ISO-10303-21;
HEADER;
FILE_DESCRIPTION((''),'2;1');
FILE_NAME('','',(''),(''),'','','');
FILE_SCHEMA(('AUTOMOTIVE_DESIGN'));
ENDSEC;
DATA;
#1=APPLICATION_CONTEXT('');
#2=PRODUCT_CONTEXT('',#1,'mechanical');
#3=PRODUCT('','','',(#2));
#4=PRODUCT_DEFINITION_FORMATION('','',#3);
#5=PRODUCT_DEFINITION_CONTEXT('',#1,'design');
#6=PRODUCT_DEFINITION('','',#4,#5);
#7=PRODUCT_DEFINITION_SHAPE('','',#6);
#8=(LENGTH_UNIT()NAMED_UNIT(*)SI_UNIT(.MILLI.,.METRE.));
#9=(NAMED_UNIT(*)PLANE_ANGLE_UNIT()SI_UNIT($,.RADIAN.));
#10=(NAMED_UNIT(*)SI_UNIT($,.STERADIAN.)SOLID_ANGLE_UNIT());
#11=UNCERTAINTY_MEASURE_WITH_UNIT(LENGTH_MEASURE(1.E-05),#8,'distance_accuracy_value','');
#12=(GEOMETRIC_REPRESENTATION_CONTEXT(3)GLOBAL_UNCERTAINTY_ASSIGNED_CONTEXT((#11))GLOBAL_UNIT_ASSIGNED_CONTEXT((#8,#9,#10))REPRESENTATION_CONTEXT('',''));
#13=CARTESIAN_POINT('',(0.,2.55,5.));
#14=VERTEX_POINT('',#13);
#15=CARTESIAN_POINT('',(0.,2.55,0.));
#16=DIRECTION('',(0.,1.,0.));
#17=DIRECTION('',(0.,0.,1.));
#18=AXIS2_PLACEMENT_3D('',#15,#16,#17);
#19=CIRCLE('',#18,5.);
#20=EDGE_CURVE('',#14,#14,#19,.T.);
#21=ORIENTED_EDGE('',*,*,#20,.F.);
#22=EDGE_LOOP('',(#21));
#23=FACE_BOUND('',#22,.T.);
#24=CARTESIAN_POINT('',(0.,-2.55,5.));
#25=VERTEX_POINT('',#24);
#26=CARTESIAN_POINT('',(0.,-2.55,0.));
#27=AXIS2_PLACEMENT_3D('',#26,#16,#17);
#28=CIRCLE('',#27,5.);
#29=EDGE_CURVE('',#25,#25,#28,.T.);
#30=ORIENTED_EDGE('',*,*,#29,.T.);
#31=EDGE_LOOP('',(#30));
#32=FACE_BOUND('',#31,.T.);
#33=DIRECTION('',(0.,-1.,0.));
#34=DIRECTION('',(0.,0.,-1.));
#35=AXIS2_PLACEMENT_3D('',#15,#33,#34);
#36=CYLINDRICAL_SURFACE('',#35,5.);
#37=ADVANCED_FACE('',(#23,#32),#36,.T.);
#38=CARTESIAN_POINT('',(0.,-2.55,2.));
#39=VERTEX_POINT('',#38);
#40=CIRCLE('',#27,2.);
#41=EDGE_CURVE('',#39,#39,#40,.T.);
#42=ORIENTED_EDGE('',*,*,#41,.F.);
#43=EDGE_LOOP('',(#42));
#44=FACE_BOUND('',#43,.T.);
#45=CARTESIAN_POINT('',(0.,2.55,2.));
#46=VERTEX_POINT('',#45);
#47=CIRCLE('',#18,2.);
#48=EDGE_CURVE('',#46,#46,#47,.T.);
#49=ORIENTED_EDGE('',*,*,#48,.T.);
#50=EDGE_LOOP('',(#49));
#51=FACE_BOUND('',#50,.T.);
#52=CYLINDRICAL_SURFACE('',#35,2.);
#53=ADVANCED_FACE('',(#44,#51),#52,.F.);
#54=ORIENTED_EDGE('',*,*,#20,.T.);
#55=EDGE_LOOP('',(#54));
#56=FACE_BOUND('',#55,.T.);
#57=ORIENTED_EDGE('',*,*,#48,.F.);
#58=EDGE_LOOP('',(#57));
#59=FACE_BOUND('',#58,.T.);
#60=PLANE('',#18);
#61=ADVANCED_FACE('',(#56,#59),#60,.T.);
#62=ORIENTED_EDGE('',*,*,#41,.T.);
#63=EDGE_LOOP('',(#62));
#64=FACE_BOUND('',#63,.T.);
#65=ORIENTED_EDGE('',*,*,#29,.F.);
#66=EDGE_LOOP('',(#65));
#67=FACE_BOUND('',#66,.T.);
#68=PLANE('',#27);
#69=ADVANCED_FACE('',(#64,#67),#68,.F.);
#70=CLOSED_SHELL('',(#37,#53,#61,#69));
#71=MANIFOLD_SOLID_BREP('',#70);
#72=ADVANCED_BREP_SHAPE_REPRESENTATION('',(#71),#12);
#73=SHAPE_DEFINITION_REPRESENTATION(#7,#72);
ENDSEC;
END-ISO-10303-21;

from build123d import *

# Parameters (mm, degrees)
SKETCH2_R           = 5
SKETCH2_R_2         = 2
BOSS_EXTRUDE1_DEPTH = 2.55


with BuildPart() as part:
    # Sketch2 → Boss-Extrude1 (new body, symmetric)
    with BuildSketch(Plane(origin=(0, 0, 0), x_dir=(1, 0, 0), z_dir=(0, 1, 0))):
        Circle(SKETCH2_R)
        Circle(SKETCH2_R_2, mode=Mode.SUBTRACT)
    extrude(amount=BOSS_EXTRUDE1_DEPTH, both=True)


solid = part.part
